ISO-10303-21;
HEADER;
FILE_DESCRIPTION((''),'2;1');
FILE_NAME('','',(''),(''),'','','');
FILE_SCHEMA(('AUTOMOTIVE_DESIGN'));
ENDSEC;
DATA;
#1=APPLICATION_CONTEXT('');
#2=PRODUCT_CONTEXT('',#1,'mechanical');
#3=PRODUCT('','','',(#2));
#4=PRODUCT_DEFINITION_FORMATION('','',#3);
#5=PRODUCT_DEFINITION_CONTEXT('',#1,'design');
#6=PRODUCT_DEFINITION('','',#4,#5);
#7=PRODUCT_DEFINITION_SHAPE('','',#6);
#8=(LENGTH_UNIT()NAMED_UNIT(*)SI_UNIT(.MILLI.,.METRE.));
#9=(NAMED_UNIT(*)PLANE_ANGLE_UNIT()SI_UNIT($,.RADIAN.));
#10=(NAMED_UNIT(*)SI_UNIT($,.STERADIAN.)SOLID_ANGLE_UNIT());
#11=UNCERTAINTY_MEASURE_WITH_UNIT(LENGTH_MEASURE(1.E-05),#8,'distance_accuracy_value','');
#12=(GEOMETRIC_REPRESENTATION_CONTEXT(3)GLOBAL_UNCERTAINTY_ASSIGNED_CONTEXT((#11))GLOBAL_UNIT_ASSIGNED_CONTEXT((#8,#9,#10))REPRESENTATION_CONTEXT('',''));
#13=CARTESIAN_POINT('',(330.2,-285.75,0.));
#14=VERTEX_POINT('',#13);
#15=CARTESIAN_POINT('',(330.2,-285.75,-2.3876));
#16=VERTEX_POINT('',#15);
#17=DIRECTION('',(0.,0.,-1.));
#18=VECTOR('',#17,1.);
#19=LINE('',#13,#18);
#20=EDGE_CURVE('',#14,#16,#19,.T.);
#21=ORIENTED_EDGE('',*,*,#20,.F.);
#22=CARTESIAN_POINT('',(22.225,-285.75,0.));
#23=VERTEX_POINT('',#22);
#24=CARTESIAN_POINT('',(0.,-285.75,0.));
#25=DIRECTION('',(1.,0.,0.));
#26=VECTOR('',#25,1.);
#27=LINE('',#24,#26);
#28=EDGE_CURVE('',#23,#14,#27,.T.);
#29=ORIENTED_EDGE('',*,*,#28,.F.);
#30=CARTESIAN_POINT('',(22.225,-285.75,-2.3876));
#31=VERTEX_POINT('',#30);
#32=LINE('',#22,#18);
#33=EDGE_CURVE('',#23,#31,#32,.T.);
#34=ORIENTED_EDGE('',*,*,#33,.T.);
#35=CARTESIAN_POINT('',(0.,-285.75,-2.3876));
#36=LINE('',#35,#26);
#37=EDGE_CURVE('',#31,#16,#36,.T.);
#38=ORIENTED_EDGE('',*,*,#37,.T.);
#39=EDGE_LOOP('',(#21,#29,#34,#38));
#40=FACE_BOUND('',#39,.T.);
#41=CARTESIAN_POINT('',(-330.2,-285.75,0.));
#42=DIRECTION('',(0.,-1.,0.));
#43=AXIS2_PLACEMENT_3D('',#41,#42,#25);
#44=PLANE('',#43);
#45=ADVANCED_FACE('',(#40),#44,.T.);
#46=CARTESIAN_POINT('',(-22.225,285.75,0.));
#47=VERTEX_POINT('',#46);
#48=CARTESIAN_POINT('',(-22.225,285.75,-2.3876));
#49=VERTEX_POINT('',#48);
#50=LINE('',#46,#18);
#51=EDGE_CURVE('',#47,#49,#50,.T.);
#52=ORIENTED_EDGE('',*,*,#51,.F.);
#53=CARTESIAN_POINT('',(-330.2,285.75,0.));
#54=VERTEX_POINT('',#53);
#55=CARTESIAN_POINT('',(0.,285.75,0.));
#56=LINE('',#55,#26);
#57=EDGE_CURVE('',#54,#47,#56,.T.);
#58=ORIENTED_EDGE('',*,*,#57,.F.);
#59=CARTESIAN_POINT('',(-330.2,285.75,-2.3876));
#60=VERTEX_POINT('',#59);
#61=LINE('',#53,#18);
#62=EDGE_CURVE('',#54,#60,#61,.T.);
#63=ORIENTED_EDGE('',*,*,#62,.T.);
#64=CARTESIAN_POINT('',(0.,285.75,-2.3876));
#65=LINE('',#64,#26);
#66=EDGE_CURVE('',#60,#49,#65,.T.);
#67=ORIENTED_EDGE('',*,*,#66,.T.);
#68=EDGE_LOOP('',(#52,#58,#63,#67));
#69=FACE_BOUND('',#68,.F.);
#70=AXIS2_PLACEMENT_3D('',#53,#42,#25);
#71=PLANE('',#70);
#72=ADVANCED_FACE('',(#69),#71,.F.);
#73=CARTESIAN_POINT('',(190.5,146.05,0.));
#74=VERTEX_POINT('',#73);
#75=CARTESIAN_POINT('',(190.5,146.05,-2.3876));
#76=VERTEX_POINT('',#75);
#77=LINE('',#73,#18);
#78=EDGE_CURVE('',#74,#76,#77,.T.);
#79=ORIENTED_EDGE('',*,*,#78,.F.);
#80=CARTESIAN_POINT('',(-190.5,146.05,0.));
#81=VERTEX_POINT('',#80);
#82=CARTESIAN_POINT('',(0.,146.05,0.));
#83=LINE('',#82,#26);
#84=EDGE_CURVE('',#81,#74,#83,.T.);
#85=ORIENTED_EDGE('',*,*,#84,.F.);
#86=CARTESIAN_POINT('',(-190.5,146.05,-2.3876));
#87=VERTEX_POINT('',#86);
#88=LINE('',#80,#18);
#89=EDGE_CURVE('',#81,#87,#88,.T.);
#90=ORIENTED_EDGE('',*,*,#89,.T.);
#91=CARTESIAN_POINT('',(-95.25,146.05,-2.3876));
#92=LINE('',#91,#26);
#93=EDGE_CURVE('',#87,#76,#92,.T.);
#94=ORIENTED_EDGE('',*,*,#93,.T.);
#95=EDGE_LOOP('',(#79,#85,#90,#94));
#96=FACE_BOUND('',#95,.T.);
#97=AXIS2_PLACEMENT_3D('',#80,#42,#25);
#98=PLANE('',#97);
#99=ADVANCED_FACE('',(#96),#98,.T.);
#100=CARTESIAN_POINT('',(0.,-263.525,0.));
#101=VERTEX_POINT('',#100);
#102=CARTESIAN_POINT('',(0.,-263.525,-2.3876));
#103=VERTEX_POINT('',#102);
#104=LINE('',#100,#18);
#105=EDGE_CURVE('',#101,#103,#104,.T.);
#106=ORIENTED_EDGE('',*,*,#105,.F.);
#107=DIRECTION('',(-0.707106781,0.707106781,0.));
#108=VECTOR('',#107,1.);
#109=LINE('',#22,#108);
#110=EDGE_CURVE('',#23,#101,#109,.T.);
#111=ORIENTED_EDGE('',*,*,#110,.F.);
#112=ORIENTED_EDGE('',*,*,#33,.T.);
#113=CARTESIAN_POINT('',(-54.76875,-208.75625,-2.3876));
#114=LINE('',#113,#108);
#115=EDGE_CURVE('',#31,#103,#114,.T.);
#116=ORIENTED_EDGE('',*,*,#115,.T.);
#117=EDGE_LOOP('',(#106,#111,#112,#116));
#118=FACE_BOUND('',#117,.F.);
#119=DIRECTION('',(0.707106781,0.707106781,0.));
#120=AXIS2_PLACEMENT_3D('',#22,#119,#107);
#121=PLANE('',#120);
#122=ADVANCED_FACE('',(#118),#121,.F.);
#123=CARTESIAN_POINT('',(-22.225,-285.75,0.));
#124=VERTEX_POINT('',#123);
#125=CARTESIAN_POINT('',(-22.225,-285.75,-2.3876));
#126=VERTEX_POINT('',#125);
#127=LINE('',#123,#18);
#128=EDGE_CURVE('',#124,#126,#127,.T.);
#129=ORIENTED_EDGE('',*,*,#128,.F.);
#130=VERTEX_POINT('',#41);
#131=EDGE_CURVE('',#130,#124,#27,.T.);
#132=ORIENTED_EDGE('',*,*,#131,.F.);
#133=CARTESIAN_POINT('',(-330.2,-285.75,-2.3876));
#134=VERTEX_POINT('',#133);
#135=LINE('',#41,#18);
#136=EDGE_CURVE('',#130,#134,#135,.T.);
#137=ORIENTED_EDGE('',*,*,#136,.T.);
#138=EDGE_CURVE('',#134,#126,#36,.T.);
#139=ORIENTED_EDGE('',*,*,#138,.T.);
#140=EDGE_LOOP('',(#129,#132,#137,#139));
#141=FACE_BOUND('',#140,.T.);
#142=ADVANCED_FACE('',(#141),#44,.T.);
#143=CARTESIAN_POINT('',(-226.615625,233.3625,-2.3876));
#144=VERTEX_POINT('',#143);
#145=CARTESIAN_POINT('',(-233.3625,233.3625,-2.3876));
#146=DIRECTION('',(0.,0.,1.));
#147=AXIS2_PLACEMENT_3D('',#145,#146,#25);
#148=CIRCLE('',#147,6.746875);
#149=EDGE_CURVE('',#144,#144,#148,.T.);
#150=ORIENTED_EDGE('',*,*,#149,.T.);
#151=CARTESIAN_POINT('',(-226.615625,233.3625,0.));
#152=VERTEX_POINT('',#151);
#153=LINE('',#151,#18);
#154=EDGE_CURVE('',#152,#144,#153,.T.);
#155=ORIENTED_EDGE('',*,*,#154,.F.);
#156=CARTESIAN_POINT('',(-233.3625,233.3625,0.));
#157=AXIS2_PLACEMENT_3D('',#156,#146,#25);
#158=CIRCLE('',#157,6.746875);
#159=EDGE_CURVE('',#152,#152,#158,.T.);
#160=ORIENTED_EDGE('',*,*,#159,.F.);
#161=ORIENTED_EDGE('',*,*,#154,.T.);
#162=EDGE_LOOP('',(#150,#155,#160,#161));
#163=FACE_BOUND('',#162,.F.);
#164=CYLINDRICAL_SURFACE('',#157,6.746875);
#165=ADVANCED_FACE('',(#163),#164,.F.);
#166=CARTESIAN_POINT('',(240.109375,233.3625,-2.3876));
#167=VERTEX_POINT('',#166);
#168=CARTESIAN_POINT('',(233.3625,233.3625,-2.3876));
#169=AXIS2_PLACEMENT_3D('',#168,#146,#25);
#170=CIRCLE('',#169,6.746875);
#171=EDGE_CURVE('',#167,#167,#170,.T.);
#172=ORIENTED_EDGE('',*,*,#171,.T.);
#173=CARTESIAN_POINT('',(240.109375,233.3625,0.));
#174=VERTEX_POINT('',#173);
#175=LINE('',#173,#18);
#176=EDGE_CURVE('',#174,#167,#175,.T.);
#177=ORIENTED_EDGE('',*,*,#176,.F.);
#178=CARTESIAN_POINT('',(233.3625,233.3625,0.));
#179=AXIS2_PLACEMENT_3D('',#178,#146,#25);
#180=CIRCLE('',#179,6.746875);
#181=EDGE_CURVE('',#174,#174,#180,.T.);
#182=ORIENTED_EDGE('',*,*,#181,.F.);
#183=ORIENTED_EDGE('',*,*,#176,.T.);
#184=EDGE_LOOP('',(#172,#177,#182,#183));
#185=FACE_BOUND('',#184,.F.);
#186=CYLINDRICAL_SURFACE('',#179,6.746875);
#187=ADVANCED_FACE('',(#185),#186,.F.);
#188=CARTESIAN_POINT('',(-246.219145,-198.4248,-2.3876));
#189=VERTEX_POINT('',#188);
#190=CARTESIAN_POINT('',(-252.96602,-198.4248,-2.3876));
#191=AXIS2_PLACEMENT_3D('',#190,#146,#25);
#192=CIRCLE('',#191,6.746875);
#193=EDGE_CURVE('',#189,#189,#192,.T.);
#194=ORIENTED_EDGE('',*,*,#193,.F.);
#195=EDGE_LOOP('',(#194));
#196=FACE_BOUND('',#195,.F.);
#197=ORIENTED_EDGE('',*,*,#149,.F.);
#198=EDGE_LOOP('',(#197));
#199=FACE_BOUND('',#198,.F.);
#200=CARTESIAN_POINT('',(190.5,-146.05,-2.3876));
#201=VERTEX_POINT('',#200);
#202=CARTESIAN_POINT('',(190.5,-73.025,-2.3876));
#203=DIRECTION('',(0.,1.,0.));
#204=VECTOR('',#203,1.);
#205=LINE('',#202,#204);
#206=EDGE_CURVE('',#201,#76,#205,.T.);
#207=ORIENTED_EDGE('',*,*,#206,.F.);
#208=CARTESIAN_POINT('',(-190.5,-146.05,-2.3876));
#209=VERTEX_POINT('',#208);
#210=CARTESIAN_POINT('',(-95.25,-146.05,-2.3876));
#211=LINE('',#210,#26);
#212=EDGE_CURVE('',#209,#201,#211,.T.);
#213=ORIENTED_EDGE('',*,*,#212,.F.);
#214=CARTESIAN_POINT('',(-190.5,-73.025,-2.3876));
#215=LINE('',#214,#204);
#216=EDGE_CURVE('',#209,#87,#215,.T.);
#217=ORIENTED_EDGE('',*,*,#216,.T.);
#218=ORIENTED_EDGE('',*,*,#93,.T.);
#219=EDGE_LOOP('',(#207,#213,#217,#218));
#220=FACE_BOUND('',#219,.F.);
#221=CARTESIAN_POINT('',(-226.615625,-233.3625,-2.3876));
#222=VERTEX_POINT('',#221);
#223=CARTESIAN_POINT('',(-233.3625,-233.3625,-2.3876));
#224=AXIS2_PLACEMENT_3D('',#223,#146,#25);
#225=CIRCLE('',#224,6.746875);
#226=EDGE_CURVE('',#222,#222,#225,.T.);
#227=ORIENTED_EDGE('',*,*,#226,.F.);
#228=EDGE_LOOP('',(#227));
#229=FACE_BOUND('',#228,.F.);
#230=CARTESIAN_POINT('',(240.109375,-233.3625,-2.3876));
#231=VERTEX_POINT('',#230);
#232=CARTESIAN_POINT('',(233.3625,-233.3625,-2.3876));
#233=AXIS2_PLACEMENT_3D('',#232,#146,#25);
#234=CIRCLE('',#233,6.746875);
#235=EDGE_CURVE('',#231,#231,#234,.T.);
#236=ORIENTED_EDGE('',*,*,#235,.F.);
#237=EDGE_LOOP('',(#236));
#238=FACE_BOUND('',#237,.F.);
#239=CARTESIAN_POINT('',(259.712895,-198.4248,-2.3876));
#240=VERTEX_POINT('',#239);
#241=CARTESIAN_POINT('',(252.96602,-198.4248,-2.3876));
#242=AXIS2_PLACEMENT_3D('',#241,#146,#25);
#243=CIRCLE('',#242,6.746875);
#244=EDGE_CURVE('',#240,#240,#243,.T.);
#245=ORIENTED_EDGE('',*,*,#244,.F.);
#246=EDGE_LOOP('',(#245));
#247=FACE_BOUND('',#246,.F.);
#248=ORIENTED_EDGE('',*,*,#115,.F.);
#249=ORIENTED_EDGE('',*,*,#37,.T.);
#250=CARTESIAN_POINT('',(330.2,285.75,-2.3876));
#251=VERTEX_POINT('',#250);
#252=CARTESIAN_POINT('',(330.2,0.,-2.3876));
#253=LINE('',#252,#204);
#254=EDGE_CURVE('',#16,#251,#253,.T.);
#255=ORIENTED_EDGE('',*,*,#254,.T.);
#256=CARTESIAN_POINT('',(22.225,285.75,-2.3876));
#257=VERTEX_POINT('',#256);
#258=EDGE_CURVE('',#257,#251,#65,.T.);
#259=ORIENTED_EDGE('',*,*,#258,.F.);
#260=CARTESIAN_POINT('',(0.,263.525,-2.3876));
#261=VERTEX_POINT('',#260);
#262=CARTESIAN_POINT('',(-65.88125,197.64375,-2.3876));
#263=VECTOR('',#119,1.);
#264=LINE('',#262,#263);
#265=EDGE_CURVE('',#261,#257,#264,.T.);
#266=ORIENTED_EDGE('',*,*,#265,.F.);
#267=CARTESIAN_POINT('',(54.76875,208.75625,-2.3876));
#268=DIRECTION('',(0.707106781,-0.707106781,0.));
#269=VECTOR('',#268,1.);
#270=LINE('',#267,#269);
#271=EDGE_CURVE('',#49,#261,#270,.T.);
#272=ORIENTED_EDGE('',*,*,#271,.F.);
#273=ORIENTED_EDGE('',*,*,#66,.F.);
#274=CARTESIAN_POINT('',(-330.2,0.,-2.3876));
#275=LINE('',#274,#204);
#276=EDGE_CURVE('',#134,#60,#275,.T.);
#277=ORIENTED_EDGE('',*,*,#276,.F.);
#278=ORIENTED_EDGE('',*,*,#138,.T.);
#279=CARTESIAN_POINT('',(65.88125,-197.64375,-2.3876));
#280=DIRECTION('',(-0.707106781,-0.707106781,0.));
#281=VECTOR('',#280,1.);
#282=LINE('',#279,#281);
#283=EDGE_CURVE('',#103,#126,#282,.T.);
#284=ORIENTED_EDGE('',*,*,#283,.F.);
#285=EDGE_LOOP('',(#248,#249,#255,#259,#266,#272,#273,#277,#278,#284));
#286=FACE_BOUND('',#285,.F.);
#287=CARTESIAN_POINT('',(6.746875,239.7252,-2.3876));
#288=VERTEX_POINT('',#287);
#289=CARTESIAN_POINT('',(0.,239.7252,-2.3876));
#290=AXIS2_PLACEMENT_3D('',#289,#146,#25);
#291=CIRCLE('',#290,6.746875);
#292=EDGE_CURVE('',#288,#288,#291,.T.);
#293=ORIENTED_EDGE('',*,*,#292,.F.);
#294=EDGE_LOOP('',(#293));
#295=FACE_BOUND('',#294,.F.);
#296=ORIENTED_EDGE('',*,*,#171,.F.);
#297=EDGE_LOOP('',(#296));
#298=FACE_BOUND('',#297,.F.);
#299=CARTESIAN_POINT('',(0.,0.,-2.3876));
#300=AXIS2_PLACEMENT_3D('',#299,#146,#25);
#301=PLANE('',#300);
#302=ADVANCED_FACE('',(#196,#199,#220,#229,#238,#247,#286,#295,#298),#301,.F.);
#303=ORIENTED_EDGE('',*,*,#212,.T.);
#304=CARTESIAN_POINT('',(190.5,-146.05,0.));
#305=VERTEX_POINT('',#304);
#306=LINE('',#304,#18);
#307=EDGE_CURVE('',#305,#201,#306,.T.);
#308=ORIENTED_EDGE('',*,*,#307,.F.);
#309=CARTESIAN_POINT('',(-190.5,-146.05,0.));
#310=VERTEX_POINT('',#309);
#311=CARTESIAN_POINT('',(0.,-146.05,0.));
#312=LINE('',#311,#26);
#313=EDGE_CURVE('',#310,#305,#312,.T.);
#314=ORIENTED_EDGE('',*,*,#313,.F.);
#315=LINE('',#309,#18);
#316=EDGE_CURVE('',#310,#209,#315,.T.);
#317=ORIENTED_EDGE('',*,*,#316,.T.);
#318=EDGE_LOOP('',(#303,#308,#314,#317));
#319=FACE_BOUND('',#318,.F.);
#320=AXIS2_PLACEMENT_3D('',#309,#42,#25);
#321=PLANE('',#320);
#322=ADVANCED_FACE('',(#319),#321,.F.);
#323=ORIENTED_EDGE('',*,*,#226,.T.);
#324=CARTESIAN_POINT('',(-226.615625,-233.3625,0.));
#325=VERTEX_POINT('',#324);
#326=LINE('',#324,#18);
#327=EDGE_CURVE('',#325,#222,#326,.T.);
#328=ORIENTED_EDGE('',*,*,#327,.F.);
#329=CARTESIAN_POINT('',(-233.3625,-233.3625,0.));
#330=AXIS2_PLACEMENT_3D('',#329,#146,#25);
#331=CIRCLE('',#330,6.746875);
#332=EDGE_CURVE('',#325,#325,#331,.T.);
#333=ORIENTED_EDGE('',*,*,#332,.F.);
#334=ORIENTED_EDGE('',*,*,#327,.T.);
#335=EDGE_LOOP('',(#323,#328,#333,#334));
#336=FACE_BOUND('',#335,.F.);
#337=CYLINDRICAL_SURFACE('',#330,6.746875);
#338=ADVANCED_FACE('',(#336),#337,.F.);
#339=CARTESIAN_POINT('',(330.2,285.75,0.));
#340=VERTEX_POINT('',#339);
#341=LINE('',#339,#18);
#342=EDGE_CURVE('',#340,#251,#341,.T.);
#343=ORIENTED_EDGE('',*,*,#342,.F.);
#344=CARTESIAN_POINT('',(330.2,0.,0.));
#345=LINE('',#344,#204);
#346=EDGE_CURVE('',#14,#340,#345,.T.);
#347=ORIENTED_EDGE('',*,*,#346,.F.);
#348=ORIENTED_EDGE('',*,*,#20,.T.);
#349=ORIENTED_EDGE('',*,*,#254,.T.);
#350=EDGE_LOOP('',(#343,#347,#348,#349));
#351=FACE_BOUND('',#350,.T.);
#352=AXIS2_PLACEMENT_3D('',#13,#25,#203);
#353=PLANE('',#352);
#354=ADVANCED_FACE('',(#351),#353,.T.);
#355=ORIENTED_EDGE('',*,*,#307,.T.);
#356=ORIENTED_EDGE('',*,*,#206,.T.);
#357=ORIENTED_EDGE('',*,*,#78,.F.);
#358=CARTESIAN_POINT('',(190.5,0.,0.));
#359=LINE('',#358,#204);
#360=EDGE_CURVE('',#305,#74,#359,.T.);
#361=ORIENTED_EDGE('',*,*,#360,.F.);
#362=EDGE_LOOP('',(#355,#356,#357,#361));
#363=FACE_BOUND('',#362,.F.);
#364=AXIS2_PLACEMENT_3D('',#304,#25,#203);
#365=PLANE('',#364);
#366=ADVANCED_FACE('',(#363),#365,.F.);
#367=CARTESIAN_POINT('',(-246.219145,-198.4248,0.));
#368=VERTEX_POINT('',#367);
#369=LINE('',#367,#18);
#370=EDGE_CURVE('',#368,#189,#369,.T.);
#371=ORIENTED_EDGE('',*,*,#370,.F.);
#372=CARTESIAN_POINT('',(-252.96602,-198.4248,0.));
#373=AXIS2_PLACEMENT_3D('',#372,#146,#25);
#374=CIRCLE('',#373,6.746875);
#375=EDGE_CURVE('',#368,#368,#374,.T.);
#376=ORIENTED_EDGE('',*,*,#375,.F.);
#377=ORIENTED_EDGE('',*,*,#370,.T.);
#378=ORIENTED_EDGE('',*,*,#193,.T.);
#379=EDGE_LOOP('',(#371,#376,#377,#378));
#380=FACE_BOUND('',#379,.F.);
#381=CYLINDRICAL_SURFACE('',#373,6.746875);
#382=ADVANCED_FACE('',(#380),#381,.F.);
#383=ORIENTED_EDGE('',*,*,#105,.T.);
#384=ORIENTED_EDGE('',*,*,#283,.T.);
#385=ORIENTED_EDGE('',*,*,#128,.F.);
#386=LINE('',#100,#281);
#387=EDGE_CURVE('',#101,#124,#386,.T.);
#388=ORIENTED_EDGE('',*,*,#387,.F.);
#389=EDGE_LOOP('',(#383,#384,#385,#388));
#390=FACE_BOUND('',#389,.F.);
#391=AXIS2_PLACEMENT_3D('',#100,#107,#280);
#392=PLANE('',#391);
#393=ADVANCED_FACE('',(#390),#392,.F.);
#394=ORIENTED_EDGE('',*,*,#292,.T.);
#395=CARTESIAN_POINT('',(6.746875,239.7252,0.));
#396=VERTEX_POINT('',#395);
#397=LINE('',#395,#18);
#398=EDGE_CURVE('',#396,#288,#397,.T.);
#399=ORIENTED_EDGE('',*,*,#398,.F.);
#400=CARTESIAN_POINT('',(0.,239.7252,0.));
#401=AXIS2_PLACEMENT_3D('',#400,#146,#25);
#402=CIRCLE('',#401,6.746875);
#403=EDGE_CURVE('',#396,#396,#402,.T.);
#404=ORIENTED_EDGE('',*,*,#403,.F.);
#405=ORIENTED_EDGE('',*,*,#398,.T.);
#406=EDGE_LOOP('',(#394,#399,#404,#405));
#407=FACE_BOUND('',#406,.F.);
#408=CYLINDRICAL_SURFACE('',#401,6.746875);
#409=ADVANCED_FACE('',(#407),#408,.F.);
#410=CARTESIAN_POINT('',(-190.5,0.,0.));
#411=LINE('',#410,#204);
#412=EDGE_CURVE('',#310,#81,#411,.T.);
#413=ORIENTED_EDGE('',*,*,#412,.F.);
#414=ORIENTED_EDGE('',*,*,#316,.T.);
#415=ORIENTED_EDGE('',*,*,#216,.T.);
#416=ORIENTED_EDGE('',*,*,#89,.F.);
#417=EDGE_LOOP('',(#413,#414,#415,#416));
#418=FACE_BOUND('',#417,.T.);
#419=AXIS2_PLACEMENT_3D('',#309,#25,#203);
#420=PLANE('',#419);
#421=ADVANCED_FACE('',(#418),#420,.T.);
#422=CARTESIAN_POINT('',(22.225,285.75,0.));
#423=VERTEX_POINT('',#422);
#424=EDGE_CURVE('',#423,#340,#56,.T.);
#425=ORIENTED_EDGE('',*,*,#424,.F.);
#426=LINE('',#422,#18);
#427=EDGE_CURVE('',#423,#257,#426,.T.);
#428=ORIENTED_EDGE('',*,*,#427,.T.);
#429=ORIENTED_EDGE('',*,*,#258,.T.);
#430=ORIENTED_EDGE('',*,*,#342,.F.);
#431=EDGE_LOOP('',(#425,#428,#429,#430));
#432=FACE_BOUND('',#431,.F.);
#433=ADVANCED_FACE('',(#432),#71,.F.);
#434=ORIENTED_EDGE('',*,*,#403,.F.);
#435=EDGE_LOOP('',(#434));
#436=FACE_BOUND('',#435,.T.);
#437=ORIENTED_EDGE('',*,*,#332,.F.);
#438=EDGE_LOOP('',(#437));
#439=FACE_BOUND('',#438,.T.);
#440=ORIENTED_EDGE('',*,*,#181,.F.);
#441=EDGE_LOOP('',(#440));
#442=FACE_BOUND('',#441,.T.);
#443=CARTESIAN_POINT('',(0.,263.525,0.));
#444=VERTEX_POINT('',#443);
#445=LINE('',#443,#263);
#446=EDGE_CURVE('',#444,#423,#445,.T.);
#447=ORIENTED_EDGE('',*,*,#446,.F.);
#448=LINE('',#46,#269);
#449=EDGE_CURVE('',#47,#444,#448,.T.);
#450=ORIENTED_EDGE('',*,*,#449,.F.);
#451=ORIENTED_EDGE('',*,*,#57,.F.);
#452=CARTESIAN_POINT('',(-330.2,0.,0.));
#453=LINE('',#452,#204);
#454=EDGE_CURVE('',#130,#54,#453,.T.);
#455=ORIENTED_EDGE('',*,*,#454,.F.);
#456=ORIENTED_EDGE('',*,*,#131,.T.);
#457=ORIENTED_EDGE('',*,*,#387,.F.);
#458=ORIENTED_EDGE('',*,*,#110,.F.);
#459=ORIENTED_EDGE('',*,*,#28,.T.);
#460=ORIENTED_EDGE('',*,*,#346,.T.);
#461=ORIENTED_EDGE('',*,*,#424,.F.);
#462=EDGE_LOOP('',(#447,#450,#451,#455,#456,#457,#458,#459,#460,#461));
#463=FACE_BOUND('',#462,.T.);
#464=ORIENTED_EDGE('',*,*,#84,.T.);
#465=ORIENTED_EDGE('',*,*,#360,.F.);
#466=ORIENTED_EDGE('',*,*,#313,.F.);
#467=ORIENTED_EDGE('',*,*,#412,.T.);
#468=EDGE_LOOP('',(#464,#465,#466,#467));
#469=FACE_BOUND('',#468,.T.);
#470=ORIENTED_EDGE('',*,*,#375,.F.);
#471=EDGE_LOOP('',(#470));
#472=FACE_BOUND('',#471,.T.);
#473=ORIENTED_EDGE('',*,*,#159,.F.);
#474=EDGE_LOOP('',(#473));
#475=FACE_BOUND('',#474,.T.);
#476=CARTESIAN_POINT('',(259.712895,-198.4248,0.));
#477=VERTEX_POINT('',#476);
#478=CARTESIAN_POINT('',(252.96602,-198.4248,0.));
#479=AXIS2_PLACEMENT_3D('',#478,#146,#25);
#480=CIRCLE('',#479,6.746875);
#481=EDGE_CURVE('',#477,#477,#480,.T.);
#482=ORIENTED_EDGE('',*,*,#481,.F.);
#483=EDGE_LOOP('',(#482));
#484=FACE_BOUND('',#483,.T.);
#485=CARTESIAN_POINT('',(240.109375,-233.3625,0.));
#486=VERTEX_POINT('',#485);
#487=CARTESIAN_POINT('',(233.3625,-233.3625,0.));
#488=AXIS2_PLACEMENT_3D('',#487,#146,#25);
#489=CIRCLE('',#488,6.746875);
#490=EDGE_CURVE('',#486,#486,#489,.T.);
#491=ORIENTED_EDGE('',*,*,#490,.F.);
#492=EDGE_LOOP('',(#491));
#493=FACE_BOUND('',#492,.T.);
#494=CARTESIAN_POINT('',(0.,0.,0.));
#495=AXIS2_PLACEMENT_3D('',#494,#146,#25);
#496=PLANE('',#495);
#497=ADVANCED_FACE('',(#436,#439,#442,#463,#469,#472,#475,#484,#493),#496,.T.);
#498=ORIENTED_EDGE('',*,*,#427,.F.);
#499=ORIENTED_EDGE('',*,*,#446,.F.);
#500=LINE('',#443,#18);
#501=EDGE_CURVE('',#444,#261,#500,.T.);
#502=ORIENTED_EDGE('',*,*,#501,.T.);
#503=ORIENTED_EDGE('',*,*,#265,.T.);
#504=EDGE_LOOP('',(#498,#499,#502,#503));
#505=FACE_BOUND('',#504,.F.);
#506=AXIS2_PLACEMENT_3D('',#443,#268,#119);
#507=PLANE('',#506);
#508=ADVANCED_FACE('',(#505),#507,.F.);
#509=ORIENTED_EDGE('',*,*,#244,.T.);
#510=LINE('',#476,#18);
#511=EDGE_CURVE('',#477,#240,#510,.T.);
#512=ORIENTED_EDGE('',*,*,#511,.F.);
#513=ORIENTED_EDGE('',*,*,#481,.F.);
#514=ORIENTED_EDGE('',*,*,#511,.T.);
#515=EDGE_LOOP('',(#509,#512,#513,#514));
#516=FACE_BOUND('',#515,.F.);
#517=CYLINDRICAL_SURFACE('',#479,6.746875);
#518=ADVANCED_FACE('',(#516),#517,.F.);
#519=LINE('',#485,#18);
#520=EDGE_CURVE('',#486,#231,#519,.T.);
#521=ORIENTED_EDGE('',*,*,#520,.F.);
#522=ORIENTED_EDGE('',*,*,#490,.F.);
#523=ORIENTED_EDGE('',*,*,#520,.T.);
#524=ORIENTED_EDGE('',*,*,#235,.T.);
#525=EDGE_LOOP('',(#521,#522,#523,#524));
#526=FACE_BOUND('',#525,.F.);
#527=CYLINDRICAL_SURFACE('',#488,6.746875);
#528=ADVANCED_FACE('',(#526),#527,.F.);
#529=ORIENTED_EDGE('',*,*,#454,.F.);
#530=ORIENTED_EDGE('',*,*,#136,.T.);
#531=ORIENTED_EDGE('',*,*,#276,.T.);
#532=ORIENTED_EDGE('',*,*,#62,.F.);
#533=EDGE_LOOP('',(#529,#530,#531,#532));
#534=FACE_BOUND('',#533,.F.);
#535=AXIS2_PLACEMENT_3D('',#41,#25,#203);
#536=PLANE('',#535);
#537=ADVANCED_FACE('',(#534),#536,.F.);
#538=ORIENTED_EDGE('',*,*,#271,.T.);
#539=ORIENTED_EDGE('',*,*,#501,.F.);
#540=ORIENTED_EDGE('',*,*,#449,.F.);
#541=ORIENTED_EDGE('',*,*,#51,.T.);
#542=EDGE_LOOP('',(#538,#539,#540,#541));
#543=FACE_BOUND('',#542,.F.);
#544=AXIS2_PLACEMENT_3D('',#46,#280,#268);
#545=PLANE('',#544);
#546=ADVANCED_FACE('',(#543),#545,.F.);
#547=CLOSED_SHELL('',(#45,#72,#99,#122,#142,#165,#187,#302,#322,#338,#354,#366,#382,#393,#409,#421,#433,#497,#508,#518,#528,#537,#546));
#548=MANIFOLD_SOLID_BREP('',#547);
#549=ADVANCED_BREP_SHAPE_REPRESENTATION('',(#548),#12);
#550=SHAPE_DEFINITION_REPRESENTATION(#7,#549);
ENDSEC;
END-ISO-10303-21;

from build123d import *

# Parameters (mm, degrees)
F0_W     = 660.4
F0_H     = 571.5
F0_R     = 6.746875
F1_DEPTH = 2.3876
F3_DEPTH = 2.3886
F4_W     = 381
F4_H     = 292.1
F5_DEPTH = 2.3886


with BuildPart() as f1:
    # F0 (on Top) → F1 (new body)
    with BuildSketch(Plane.XY):
        Rectangle(F0_W, F0_H)
        with Locations((-233.3625, -233.3625)):
            Circle(F0_R, mode=Mode.SUBTRACT)
        with Locations((-252.96602, -198.4248)):
            Circle(F0_R, mode=Mode.SUBTRACT)
        with Locations((233.3625, -233.3625)):
            Circle(F0_R, mode=Mode.SUBTRACT)
        with Locations((252.96602, -198.4248)):
            Circle(F0_R, mode=Mode.SUBTRACT)
        with Locations((-233.3625, 233.3625)):
            Circle(F0_R, mode=Mode.SUBTRACT)
        with Locations((0, 239.7252)):
            Circle(F0_R, mode=Mode.SUBTRACT)
        with Locations((233.3625, 233.3625)):
            Circle(F0_R, mode=Mode.SUBTRACT)
    extrude(amount=-F1_DEPTH)

    # F2 (on Top) → F3 (cut, through all)
    with BuildSketch(Plane.XY):
        Polygon((22.225, 285.75), (-22.225, 285.75), (0, 263.525), align=None)
        Polygon((-22.225, -285.75), (22.225, -285.75), (0, -263.525), align=None)
    extrude(amount=-F3_DEPTH, mode=Mode.SUBTRACT)

    # F4 (on Top) → F5 (cut, through all)
    with BuildSketch(Plane.XY):
        Rectangle(F4_W, F4_H)
    extrude(amount=-F5_DEPTH, mode=Mode.SUBTRACT)


solid = f1.part
